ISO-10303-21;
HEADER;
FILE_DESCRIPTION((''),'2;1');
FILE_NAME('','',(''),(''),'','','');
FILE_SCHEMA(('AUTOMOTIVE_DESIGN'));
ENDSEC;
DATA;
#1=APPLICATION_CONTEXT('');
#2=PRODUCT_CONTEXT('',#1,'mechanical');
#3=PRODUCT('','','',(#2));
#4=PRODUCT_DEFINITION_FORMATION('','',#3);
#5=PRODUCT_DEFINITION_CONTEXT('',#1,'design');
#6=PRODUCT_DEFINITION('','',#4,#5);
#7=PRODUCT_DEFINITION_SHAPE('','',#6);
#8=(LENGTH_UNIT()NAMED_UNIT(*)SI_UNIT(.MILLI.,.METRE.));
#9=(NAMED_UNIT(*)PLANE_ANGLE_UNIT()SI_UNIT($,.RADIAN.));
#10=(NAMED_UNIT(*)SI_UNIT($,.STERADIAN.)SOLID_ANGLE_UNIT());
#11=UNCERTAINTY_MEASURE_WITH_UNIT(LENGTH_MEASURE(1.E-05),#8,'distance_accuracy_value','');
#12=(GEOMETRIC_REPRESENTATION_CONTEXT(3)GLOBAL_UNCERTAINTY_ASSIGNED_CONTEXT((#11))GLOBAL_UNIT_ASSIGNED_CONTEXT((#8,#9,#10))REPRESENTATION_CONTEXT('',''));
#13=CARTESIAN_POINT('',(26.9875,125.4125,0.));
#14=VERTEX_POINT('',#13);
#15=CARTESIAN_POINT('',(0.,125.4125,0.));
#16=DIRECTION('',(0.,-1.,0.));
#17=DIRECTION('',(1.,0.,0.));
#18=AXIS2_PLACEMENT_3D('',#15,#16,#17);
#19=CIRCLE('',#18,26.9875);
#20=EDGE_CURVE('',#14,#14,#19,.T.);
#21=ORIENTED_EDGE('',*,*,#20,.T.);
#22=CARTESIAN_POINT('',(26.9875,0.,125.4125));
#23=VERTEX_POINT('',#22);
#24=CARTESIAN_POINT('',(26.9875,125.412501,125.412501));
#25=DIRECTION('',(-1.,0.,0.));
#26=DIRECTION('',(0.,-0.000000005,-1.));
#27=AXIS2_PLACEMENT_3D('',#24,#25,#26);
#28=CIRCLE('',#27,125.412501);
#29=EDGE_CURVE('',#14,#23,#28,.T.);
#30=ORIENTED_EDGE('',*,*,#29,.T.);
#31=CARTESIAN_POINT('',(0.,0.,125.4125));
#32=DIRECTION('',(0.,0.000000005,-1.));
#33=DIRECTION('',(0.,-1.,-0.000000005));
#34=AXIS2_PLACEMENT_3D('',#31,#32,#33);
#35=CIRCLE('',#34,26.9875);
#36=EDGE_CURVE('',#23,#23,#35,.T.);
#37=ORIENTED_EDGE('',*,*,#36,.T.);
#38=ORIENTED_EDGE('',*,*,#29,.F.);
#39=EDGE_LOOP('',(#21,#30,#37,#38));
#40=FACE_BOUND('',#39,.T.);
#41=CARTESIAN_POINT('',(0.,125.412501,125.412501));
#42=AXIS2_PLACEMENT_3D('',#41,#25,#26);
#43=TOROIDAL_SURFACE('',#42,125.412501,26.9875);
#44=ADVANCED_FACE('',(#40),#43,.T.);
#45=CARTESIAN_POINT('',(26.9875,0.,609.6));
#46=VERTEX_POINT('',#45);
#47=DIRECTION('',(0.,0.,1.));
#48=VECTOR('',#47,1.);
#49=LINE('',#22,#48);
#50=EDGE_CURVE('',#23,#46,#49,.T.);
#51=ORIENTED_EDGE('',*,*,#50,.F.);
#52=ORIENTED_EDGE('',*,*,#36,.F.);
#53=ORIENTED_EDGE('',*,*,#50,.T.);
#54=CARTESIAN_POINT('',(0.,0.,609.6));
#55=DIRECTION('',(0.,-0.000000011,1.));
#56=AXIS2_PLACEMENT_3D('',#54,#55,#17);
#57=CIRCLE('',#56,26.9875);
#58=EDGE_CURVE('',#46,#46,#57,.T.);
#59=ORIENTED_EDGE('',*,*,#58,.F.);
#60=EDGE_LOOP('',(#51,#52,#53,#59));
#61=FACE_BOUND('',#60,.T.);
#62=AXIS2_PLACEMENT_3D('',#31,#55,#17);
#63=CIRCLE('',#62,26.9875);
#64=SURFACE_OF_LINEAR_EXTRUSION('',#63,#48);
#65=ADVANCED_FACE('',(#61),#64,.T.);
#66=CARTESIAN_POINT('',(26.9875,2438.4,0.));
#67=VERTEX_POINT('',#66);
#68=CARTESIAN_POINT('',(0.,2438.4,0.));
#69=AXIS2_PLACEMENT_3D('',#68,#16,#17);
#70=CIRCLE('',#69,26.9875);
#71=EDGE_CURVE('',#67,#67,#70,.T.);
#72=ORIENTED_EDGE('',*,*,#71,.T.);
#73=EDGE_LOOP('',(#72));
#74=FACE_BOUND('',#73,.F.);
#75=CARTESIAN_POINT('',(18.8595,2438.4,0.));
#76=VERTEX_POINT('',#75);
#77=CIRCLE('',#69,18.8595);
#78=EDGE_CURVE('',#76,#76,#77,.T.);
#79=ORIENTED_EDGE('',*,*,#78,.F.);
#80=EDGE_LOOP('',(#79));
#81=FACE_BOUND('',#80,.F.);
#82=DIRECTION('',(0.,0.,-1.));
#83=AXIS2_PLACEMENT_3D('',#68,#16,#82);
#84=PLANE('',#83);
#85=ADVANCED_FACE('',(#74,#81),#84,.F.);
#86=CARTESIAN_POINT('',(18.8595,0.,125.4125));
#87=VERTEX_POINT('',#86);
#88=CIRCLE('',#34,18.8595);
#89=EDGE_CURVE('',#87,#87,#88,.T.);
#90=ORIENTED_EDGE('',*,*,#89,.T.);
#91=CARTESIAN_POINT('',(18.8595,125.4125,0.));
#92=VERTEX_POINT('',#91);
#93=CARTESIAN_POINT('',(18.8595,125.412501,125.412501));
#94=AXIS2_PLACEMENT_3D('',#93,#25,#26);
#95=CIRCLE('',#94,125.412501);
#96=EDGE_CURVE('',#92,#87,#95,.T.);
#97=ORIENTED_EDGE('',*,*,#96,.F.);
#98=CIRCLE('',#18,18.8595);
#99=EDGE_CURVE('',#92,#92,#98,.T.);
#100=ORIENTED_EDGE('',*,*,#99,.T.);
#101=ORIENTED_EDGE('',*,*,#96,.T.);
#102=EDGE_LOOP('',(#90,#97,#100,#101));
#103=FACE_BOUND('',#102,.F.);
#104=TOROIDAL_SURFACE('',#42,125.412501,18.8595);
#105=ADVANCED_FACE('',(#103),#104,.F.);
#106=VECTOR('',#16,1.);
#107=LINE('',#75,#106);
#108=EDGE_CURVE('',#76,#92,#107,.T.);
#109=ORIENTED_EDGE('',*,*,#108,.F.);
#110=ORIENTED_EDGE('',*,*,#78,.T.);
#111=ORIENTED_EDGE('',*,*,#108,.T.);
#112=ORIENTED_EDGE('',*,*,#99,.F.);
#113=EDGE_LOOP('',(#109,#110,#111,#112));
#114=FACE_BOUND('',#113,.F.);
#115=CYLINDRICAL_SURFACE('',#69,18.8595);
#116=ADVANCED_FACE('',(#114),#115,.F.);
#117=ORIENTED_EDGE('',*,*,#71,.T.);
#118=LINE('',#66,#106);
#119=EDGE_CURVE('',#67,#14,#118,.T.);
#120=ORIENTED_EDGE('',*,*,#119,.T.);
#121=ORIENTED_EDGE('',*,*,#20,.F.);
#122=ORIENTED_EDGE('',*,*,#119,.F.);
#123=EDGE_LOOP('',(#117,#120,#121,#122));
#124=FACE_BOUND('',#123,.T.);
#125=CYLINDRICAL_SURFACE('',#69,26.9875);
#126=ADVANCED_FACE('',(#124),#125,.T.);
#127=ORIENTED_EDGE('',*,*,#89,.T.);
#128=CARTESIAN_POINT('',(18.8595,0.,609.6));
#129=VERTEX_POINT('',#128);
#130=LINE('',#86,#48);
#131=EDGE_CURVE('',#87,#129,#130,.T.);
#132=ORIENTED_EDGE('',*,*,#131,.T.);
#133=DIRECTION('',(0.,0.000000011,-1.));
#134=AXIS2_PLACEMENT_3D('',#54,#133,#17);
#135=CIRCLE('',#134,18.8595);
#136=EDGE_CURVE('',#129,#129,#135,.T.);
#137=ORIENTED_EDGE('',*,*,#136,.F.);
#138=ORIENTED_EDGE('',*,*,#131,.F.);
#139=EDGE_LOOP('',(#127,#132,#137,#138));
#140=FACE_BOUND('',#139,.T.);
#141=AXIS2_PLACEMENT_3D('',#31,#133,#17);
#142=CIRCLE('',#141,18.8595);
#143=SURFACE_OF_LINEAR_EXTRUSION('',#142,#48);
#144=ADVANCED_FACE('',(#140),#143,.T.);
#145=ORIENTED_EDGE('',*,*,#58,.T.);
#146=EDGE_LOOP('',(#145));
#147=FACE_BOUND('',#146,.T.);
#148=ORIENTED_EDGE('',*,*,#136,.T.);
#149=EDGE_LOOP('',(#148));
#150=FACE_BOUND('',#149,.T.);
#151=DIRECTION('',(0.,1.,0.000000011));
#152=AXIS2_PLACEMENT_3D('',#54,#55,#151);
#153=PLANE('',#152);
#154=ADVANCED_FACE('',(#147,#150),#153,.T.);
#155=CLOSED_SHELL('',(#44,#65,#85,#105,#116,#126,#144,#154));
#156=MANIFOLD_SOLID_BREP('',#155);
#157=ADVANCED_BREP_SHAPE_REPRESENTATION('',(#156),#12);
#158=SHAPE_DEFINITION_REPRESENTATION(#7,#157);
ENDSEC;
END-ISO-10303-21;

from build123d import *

# Parameters (mm, degrees)
F2_R   = 26.9875
F2_R_2 = 18.8595


with BuildPart() as f3:
    # F3: sweep along a path in F0
    with BuildLine(Plane.YZ) as f3_path:
        Line((2438.4, 0), (125.4125, 0))
        ThreePointArc((125.4125, 0), (36.732471, 36.732471), (0, 125.4125))
        Line((0, 125.4125), (0, 609.6))
    # F2 (on plane+point) → F3 (sweep)
    with BuildSketch(Plane.XZ.offset(-2438.4)):
        Circle(F2_R)
        Circle(F2_R_2, mode=Mode.SUBTRACT)
    sweep(path=f3_path.line)


solid = f3.part
